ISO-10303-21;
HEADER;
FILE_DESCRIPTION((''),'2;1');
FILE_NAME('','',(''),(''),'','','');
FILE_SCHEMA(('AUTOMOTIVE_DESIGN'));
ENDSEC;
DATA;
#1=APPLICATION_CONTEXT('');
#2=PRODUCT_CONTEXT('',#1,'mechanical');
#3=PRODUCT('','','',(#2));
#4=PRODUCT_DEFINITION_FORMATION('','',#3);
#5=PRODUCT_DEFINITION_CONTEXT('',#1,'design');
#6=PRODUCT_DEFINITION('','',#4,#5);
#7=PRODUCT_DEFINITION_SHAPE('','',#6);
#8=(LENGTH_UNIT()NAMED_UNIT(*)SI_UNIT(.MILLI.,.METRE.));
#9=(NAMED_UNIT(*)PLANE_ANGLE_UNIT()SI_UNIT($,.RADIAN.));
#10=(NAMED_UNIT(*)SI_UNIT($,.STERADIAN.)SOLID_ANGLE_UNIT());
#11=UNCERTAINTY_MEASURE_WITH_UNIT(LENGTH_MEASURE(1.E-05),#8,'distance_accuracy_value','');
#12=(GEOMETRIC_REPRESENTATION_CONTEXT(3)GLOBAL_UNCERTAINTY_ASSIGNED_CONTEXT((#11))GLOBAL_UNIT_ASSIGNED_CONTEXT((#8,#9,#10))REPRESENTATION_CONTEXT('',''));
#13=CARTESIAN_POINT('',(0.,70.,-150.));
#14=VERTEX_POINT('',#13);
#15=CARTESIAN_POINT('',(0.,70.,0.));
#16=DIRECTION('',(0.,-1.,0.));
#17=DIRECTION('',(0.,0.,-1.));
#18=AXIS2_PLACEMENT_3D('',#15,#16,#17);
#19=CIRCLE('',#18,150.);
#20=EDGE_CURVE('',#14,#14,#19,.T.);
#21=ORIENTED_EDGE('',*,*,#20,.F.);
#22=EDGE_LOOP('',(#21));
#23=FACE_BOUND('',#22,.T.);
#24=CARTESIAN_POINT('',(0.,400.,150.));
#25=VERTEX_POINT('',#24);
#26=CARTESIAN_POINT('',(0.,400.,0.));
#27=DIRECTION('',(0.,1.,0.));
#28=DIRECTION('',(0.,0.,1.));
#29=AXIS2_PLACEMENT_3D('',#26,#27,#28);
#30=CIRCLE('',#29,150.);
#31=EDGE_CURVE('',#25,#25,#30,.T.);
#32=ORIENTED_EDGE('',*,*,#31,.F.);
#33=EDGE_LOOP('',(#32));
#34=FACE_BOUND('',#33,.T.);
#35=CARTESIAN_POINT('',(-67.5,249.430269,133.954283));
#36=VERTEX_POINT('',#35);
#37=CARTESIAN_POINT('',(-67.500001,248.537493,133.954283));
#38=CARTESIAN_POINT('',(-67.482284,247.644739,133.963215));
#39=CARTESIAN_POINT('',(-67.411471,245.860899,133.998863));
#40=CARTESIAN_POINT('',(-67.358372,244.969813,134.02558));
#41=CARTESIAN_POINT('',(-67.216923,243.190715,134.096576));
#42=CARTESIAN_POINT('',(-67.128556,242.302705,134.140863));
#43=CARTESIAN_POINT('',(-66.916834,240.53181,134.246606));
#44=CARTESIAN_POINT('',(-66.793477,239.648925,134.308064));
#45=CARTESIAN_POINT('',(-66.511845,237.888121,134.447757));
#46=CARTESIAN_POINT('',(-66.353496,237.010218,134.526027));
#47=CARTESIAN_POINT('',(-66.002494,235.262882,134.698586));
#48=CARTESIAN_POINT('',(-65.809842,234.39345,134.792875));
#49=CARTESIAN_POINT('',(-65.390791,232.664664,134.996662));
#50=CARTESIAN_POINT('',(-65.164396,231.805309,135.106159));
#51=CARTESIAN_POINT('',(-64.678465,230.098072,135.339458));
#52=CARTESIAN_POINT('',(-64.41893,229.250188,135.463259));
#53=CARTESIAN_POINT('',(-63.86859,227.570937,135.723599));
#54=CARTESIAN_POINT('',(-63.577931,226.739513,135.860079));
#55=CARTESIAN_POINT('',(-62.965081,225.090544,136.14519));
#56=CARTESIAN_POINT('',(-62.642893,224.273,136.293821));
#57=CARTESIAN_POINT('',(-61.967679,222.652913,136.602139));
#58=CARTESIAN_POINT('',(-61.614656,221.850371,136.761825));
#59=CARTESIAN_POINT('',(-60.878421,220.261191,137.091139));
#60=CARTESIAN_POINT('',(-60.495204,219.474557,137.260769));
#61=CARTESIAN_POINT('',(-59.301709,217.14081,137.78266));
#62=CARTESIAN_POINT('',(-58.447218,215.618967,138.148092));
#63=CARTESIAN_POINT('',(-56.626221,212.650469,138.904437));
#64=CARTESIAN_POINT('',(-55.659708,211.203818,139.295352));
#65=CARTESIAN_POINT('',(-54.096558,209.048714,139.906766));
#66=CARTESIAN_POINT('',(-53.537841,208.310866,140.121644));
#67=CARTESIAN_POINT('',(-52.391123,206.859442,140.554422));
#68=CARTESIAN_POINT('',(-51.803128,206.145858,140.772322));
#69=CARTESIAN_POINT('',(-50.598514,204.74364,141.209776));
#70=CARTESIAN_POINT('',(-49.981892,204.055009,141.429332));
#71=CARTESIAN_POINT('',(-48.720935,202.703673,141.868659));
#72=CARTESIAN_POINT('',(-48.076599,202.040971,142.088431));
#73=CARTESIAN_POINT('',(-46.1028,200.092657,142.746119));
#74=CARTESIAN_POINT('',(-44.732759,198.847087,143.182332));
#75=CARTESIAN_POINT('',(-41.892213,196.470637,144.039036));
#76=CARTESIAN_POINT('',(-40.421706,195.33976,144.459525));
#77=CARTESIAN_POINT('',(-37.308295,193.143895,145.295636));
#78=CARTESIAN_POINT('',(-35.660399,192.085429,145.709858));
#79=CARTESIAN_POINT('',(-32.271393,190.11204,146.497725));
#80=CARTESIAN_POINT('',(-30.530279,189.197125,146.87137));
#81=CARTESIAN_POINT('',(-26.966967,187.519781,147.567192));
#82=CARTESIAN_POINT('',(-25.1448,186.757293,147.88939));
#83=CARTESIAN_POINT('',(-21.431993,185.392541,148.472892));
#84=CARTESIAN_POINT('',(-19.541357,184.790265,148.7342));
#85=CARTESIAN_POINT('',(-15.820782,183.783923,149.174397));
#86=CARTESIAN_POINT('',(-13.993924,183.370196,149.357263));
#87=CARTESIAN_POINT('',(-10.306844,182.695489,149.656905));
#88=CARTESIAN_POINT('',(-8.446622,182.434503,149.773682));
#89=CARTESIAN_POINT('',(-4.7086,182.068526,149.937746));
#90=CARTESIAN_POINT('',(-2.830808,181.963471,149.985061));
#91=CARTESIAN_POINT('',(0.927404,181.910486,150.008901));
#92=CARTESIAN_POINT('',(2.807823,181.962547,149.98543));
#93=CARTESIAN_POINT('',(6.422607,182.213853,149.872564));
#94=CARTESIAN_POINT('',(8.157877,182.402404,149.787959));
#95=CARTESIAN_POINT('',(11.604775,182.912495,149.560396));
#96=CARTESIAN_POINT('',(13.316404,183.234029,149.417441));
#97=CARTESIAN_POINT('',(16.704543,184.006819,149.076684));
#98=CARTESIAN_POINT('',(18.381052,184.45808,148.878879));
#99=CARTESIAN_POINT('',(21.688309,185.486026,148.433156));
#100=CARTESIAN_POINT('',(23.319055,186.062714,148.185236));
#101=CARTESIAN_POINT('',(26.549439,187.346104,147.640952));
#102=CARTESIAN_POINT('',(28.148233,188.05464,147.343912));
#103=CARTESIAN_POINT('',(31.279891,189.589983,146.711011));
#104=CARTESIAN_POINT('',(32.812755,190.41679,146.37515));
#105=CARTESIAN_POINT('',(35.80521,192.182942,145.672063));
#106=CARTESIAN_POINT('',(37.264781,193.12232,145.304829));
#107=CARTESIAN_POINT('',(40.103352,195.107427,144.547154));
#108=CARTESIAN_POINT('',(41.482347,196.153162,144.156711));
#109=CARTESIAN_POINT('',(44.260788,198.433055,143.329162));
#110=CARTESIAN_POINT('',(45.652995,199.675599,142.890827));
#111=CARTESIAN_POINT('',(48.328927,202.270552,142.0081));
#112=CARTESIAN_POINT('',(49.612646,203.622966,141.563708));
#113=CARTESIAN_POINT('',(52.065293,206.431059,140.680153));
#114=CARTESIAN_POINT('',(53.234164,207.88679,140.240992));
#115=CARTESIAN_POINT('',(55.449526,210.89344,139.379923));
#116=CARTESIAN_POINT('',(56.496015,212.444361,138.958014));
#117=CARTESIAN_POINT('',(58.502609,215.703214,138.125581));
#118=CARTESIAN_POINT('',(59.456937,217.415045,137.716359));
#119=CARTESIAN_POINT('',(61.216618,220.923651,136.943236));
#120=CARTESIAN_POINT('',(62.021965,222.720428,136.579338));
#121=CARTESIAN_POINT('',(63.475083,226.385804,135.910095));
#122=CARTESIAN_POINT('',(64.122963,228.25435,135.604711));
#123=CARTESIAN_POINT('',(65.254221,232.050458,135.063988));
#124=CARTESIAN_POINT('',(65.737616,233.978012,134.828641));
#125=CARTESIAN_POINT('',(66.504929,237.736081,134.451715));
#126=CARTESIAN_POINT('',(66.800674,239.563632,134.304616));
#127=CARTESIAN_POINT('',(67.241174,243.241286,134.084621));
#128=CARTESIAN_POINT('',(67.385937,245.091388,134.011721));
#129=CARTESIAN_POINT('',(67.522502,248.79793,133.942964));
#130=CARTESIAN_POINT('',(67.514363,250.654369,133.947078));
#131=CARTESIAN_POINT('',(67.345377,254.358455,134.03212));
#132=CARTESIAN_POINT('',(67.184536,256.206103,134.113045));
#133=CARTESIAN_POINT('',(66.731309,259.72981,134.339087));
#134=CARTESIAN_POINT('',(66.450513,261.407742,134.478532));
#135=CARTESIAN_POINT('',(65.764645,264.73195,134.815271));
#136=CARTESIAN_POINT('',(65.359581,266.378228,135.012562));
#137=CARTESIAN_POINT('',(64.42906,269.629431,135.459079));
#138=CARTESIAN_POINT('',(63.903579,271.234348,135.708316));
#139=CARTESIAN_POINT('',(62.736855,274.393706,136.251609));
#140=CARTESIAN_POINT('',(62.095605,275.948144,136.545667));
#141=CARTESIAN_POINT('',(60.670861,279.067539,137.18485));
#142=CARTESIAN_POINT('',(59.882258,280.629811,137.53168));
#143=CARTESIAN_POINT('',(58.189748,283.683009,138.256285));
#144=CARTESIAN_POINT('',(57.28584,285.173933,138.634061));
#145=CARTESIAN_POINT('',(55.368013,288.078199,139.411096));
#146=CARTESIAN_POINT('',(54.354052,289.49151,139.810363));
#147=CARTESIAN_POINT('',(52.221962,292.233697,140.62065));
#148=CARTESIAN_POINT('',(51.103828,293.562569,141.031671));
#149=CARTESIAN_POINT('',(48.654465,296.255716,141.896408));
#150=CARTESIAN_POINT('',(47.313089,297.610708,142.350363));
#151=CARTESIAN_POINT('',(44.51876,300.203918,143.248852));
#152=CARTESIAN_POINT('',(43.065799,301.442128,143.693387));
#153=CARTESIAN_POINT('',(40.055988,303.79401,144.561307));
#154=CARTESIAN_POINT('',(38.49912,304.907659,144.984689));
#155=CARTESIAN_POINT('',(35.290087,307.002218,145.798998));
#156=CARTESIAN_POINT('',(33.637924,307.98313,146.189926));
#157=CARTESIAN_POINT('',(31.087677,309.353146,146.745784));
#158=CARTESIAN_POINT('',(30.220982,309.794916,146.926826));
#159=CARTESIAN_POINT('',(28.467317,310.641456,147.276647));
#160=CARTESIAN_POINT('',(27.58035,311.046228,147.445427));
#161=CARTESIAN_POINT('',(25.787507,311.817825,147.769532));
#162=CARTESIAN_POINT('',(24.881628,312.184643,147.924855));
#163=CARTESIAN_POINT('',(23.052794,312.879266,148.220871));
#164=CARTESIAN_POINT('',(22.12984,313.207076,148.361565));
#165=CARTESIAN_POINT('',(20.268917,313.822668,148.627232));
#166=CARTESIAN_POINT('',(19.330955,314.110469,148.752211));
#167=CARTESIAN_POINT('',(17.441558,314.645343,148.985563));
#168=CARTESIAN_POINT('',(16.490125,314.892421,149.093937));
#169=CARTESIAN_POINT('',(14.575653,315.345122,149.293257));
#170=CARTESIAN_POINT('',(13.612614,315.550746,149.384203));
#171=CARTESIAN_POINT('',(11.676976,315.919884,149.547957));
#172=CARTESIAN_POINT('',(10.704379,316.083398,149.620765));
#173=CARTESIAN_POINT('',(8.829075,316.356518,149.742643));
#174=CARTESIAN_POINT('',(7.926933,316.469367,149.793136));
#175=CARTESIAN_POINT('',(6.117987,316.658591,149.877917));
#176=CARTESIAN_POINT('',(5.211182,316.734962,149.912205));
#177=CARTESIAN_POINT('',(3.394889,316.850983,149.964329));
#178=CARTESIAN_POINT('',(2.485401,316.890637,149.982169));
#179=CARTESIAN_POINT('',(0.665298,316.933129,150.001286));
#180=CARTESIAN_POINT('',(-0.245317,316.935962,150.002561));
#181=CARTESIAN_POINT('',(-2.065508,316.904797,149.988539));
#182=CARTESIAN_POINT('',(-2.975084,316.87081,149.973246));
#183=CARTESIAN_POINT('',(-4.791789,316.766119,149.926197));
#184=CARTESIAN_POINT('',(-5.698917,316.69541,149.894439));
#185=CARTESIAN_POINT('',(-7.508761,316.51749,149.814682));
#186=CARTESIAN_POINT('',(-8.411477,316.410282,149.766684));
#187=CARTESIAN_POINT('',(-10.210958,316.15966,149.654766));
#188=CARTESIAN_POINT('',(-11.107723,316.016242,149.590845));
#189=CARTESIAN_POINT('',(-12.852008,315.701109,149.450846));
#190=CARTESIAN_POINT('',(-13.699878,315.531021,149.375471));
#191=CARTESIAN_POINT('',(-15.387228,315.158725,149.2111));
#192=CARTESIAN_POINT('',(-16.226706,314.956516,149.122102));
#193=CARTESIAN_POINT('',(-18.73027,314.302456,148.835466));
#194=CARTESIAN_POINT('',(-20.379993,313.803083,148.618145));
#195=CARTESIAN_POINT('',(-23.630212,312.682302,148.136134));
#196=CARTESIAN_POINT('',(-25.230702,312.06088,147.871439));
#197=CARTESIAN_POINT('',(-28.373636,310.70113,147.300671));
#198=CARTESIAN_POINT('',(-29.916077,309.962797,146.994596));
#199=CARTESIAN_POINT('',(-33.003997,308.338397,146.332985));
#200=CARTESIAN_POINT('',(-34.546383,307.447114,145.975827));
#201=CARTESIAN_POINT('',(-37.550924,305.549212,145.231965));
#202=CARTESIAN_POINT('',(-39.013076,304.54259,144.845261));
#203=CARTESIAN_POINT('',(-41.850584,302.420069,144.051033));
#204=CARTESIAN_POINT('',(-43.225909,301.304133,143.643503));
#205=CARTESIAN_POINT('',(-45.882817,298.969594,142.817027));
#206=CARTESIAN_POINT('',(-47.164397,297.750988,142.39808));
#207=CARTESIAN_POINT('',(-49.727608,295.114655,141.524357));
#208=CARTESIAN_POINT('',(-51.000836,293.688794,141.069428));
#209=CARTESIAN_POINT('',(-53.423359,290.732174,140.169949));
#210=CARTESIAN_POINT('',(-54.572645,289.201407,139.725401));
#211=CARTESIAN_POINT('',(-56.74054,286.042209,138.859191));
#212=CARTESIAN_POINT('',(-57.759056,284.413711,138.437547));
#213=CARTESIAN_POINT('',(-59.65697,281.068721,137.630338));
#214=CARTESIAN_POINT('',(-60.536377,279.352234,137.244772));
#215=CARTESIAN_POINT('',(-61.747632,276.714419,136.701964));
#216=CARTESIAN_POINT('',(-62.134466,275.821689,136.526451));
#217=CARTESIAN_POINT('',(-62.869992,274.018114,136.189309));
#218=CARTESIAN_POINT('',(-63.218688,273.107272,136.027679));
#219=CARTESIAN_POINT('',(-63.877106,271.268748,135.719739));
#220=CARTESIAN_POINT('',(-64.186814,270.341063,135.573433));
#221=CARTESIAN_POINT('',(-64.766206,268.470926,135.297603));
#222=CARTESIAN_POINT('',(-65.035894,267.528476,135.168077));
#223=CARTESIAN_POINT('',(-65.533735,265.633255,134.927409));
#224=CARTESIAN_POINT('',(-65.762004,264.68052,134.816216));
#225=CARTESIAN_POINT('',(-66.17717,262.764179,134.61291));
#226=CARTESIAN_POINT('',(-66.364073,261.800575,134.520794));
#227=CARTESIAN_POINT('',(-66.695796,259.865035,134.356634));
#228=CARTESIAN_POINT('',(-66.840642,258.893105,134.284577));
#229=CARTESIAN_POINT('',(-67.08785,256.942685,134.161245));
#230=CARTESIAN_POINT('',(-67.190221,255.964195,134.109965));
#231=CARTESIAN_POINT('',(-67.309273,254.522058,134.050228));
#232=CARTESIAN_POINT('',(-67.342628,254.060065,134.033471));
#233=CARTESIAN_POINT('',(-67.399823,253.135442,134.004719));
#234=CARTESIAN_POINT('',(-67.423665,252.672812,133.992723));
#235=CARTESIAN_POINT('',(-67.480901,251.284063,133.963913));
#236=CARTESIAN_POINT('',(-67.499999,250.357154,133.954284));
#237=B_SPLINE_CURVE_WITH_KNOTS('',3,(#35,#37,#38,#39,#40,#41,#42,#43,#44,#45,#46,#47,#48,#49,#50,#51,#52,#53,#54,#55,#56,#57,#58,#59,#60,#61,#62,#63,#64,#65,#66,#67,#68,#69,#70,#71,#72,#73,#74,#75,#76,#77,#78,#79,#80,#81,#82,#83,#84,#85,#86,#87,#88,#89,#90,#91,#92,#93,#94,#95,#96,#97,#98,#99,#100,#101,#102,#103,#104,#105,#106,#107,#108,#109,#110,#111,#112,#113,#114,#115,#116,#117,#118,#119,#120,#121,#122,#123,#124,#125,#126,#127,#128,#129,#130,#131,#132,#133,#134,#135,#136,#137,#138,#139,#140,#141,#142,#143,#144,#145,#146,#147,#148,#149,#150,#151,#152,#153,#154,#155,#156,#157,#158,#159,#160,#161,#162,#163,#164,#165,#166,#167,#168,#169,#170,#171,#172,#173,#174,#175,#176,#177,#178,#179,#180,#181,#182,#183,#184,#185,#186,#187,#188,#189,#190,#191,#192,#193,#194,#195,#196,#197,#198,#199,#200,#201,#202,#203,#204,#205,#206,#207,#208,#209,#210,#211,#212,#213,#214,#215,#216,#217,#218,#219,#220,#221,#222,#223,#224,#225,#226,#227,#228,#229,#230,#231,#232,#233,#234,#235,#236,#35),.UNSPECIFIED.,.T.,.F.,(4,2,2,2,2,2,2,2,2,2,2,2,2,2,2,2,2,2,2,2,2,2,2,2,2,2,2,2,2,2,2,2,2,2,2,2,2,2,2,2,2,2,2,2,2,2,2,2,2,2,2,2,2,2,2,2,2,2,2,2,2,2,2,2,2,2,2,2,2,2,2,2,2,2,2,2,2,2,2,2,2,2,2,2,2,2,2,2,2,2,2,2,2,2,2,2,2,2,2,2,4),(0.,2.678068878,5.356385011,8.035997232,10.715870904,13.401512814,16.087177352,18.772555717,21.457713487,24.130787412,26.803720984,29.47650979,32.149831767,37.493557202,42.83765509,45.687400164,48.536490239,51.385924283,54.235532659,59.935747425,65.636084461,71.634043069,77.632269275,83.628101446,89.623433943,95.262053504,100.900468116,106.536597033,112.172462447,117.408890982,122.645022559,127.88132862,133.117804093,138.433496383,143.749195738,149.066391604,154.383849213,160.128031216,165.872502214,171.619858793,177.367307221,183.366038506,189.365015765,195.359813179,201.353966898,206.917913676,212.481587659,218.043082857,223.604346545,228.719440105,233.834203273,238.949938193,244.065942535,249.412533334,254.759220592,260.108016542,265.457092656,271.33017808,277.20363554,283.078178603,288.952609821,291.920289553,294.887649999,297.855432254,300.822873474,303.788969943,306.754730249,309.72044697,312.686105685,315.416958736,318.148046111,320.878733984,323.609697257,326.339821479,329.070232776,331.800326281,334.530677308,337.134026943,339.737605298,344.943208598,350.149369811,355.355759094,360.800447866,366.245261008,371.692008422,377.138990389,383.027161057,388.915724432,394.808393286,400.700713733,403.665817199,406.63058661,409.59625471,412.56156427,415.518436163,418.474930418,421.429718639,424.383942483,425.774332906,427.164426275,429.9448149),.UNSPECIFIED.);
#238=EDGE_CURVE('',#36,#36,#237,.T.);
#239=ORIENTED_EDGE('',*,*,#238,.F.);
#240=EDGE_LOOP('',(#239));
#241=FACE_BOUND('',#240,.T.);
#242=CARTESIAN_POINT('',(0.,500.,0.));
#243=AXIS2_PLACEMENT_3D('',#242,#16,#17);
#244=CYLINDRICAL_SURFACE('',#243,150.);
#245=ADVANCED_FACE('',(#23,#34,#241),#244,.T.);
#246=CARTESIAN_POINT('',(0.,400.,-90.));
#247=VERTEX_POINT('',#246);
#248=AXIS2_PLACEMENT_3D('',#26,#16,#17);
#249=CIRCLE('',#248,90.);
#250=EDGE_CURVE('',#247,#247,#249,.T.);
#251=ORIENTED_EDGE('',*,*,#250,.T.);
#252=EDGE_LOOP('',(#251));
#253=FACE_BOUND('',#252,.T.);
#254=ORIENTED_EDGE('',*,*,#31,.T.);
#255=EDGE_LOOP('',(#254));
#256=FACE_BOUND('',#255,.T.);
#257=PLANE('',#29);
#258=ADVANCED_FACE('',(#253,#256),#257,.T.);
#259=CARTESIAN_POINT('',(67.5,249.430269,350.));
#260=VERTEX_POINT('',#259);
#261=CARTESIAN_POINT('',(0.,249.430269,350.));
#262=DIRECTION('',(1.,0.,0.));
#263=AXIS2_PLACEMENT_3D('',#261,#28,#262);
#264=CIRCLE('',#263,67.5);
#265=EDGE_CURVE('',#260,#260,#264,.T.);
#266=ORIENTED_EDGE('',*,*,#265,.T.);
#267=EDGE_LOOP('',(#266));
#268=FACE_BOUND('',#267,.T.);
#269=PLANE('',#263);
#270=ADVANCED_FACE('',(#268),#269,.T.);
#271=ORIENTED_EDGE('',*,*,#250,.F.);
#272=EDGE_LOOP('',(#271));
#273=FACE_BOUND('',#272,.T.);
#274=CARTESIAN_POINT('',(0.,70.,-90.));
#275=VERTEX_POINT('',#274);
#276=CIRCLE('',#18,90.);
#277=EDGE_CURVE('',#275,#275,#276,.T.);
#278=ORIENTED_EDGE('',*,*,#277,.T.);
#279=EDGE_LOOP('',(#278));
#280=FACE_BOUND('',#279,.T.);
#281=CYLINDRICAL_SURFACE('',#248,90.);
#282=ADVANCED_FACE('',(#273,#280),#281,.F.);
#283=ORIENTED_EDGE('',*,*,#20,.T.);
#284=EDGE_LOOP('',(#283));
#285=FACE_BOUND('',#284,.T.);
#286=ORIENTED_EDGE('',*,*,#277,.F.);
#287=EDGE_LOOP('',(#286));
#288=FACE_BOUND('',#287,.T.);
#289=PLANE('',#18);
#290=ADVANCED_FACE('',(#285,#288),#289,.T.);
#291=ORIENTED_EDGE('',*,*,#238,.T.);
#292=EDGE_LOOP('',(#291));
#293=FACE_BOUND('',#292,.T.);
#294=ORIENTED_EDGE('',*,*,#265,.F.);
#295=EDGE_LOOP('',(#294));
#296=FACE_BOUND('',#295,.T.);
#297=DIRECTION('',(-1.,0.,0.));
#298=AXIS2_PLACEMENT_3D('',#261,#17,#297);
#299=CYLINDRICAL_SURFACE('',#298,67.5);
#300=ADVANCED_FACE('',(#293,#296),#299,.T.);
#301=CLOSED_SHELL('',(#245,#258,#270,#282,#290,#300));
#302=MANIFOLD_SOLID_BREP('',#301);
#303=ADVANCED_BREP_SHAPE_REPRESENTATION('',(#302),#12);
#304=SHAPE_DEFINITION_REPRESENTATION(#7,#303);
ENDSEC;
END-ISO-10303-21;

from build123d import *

# Parameters (mm, degrees)
SKETCH1_R           = 150
BOSS_EXTRUDE1_DEPTH = 500
SKETCH2_R           = 150
SKETCH2_R_2         = 90
CUT_EXTRUDE1_DEPTH  = 70
SKETCH4_R           = 67.5
BOSS_EXTRUDE2_DEPTH = 350
SKETCH5_R           = 150
CUT_EXTRUDE3_DEPTH  = 100
SKETCH6_R           = 90
CUT_EXTRUDE4_DEPTH  = 401.0000001


with BuildPart() as part:
    # Sketch1 → Boss-Extrude1 (new body)
    with BuildSketch(Plane(origin=(0, 0, 0), x_dir=(1, 0, 0), z_dir=(0, 1, 0))):
        Circle(SKETCH1_R)
    extrude(amount=BOSS_EXTRUDE1_DEPTH)

    # Sketch2 → Cut-Extrude1 (cut)
    with BuildSketch(Plane.XZ):
        Circle(SKETCH2_R)
        Circle(SKETCH2_R_2, mode=Mode.SUBTRACT)
    extrude(amount=-CUT_EXTRUDE1_DEPTH, mode=Mode.SUBTRACT)

    # Sketch4 → Boss-Extrude2 (add)
    with BuildSketch(Plane.XY):
        with Locations((0, 249.430268714)):
            Circle(SKETCH4_R)
    extrude(amount=BOSS_EXTRUDE2_DEPTH)

    # Sketch5 → Cut-Extrude3 (cut)
    with BuildSketch(Plane(origin=(0, 500, 0), x_dir=(1, 0, 0), z_dir=(0, 1, 0))):
        Circle(SKETCH5_R)
    extrude(amount=-CUT_EXTRUDE3_DEPTH, mode=Mode.SUBTRACT)

    # Sketch6 → Cut-Extrude4 (cut, through all)
    with BuildSketch(Plane.XZ):
        Circle(SKETCH6_R)
    extrude(amount=-CUT_EXTRUDE4_DEPTH, mode=Mode.SUBTRACT)


solid = part.part
